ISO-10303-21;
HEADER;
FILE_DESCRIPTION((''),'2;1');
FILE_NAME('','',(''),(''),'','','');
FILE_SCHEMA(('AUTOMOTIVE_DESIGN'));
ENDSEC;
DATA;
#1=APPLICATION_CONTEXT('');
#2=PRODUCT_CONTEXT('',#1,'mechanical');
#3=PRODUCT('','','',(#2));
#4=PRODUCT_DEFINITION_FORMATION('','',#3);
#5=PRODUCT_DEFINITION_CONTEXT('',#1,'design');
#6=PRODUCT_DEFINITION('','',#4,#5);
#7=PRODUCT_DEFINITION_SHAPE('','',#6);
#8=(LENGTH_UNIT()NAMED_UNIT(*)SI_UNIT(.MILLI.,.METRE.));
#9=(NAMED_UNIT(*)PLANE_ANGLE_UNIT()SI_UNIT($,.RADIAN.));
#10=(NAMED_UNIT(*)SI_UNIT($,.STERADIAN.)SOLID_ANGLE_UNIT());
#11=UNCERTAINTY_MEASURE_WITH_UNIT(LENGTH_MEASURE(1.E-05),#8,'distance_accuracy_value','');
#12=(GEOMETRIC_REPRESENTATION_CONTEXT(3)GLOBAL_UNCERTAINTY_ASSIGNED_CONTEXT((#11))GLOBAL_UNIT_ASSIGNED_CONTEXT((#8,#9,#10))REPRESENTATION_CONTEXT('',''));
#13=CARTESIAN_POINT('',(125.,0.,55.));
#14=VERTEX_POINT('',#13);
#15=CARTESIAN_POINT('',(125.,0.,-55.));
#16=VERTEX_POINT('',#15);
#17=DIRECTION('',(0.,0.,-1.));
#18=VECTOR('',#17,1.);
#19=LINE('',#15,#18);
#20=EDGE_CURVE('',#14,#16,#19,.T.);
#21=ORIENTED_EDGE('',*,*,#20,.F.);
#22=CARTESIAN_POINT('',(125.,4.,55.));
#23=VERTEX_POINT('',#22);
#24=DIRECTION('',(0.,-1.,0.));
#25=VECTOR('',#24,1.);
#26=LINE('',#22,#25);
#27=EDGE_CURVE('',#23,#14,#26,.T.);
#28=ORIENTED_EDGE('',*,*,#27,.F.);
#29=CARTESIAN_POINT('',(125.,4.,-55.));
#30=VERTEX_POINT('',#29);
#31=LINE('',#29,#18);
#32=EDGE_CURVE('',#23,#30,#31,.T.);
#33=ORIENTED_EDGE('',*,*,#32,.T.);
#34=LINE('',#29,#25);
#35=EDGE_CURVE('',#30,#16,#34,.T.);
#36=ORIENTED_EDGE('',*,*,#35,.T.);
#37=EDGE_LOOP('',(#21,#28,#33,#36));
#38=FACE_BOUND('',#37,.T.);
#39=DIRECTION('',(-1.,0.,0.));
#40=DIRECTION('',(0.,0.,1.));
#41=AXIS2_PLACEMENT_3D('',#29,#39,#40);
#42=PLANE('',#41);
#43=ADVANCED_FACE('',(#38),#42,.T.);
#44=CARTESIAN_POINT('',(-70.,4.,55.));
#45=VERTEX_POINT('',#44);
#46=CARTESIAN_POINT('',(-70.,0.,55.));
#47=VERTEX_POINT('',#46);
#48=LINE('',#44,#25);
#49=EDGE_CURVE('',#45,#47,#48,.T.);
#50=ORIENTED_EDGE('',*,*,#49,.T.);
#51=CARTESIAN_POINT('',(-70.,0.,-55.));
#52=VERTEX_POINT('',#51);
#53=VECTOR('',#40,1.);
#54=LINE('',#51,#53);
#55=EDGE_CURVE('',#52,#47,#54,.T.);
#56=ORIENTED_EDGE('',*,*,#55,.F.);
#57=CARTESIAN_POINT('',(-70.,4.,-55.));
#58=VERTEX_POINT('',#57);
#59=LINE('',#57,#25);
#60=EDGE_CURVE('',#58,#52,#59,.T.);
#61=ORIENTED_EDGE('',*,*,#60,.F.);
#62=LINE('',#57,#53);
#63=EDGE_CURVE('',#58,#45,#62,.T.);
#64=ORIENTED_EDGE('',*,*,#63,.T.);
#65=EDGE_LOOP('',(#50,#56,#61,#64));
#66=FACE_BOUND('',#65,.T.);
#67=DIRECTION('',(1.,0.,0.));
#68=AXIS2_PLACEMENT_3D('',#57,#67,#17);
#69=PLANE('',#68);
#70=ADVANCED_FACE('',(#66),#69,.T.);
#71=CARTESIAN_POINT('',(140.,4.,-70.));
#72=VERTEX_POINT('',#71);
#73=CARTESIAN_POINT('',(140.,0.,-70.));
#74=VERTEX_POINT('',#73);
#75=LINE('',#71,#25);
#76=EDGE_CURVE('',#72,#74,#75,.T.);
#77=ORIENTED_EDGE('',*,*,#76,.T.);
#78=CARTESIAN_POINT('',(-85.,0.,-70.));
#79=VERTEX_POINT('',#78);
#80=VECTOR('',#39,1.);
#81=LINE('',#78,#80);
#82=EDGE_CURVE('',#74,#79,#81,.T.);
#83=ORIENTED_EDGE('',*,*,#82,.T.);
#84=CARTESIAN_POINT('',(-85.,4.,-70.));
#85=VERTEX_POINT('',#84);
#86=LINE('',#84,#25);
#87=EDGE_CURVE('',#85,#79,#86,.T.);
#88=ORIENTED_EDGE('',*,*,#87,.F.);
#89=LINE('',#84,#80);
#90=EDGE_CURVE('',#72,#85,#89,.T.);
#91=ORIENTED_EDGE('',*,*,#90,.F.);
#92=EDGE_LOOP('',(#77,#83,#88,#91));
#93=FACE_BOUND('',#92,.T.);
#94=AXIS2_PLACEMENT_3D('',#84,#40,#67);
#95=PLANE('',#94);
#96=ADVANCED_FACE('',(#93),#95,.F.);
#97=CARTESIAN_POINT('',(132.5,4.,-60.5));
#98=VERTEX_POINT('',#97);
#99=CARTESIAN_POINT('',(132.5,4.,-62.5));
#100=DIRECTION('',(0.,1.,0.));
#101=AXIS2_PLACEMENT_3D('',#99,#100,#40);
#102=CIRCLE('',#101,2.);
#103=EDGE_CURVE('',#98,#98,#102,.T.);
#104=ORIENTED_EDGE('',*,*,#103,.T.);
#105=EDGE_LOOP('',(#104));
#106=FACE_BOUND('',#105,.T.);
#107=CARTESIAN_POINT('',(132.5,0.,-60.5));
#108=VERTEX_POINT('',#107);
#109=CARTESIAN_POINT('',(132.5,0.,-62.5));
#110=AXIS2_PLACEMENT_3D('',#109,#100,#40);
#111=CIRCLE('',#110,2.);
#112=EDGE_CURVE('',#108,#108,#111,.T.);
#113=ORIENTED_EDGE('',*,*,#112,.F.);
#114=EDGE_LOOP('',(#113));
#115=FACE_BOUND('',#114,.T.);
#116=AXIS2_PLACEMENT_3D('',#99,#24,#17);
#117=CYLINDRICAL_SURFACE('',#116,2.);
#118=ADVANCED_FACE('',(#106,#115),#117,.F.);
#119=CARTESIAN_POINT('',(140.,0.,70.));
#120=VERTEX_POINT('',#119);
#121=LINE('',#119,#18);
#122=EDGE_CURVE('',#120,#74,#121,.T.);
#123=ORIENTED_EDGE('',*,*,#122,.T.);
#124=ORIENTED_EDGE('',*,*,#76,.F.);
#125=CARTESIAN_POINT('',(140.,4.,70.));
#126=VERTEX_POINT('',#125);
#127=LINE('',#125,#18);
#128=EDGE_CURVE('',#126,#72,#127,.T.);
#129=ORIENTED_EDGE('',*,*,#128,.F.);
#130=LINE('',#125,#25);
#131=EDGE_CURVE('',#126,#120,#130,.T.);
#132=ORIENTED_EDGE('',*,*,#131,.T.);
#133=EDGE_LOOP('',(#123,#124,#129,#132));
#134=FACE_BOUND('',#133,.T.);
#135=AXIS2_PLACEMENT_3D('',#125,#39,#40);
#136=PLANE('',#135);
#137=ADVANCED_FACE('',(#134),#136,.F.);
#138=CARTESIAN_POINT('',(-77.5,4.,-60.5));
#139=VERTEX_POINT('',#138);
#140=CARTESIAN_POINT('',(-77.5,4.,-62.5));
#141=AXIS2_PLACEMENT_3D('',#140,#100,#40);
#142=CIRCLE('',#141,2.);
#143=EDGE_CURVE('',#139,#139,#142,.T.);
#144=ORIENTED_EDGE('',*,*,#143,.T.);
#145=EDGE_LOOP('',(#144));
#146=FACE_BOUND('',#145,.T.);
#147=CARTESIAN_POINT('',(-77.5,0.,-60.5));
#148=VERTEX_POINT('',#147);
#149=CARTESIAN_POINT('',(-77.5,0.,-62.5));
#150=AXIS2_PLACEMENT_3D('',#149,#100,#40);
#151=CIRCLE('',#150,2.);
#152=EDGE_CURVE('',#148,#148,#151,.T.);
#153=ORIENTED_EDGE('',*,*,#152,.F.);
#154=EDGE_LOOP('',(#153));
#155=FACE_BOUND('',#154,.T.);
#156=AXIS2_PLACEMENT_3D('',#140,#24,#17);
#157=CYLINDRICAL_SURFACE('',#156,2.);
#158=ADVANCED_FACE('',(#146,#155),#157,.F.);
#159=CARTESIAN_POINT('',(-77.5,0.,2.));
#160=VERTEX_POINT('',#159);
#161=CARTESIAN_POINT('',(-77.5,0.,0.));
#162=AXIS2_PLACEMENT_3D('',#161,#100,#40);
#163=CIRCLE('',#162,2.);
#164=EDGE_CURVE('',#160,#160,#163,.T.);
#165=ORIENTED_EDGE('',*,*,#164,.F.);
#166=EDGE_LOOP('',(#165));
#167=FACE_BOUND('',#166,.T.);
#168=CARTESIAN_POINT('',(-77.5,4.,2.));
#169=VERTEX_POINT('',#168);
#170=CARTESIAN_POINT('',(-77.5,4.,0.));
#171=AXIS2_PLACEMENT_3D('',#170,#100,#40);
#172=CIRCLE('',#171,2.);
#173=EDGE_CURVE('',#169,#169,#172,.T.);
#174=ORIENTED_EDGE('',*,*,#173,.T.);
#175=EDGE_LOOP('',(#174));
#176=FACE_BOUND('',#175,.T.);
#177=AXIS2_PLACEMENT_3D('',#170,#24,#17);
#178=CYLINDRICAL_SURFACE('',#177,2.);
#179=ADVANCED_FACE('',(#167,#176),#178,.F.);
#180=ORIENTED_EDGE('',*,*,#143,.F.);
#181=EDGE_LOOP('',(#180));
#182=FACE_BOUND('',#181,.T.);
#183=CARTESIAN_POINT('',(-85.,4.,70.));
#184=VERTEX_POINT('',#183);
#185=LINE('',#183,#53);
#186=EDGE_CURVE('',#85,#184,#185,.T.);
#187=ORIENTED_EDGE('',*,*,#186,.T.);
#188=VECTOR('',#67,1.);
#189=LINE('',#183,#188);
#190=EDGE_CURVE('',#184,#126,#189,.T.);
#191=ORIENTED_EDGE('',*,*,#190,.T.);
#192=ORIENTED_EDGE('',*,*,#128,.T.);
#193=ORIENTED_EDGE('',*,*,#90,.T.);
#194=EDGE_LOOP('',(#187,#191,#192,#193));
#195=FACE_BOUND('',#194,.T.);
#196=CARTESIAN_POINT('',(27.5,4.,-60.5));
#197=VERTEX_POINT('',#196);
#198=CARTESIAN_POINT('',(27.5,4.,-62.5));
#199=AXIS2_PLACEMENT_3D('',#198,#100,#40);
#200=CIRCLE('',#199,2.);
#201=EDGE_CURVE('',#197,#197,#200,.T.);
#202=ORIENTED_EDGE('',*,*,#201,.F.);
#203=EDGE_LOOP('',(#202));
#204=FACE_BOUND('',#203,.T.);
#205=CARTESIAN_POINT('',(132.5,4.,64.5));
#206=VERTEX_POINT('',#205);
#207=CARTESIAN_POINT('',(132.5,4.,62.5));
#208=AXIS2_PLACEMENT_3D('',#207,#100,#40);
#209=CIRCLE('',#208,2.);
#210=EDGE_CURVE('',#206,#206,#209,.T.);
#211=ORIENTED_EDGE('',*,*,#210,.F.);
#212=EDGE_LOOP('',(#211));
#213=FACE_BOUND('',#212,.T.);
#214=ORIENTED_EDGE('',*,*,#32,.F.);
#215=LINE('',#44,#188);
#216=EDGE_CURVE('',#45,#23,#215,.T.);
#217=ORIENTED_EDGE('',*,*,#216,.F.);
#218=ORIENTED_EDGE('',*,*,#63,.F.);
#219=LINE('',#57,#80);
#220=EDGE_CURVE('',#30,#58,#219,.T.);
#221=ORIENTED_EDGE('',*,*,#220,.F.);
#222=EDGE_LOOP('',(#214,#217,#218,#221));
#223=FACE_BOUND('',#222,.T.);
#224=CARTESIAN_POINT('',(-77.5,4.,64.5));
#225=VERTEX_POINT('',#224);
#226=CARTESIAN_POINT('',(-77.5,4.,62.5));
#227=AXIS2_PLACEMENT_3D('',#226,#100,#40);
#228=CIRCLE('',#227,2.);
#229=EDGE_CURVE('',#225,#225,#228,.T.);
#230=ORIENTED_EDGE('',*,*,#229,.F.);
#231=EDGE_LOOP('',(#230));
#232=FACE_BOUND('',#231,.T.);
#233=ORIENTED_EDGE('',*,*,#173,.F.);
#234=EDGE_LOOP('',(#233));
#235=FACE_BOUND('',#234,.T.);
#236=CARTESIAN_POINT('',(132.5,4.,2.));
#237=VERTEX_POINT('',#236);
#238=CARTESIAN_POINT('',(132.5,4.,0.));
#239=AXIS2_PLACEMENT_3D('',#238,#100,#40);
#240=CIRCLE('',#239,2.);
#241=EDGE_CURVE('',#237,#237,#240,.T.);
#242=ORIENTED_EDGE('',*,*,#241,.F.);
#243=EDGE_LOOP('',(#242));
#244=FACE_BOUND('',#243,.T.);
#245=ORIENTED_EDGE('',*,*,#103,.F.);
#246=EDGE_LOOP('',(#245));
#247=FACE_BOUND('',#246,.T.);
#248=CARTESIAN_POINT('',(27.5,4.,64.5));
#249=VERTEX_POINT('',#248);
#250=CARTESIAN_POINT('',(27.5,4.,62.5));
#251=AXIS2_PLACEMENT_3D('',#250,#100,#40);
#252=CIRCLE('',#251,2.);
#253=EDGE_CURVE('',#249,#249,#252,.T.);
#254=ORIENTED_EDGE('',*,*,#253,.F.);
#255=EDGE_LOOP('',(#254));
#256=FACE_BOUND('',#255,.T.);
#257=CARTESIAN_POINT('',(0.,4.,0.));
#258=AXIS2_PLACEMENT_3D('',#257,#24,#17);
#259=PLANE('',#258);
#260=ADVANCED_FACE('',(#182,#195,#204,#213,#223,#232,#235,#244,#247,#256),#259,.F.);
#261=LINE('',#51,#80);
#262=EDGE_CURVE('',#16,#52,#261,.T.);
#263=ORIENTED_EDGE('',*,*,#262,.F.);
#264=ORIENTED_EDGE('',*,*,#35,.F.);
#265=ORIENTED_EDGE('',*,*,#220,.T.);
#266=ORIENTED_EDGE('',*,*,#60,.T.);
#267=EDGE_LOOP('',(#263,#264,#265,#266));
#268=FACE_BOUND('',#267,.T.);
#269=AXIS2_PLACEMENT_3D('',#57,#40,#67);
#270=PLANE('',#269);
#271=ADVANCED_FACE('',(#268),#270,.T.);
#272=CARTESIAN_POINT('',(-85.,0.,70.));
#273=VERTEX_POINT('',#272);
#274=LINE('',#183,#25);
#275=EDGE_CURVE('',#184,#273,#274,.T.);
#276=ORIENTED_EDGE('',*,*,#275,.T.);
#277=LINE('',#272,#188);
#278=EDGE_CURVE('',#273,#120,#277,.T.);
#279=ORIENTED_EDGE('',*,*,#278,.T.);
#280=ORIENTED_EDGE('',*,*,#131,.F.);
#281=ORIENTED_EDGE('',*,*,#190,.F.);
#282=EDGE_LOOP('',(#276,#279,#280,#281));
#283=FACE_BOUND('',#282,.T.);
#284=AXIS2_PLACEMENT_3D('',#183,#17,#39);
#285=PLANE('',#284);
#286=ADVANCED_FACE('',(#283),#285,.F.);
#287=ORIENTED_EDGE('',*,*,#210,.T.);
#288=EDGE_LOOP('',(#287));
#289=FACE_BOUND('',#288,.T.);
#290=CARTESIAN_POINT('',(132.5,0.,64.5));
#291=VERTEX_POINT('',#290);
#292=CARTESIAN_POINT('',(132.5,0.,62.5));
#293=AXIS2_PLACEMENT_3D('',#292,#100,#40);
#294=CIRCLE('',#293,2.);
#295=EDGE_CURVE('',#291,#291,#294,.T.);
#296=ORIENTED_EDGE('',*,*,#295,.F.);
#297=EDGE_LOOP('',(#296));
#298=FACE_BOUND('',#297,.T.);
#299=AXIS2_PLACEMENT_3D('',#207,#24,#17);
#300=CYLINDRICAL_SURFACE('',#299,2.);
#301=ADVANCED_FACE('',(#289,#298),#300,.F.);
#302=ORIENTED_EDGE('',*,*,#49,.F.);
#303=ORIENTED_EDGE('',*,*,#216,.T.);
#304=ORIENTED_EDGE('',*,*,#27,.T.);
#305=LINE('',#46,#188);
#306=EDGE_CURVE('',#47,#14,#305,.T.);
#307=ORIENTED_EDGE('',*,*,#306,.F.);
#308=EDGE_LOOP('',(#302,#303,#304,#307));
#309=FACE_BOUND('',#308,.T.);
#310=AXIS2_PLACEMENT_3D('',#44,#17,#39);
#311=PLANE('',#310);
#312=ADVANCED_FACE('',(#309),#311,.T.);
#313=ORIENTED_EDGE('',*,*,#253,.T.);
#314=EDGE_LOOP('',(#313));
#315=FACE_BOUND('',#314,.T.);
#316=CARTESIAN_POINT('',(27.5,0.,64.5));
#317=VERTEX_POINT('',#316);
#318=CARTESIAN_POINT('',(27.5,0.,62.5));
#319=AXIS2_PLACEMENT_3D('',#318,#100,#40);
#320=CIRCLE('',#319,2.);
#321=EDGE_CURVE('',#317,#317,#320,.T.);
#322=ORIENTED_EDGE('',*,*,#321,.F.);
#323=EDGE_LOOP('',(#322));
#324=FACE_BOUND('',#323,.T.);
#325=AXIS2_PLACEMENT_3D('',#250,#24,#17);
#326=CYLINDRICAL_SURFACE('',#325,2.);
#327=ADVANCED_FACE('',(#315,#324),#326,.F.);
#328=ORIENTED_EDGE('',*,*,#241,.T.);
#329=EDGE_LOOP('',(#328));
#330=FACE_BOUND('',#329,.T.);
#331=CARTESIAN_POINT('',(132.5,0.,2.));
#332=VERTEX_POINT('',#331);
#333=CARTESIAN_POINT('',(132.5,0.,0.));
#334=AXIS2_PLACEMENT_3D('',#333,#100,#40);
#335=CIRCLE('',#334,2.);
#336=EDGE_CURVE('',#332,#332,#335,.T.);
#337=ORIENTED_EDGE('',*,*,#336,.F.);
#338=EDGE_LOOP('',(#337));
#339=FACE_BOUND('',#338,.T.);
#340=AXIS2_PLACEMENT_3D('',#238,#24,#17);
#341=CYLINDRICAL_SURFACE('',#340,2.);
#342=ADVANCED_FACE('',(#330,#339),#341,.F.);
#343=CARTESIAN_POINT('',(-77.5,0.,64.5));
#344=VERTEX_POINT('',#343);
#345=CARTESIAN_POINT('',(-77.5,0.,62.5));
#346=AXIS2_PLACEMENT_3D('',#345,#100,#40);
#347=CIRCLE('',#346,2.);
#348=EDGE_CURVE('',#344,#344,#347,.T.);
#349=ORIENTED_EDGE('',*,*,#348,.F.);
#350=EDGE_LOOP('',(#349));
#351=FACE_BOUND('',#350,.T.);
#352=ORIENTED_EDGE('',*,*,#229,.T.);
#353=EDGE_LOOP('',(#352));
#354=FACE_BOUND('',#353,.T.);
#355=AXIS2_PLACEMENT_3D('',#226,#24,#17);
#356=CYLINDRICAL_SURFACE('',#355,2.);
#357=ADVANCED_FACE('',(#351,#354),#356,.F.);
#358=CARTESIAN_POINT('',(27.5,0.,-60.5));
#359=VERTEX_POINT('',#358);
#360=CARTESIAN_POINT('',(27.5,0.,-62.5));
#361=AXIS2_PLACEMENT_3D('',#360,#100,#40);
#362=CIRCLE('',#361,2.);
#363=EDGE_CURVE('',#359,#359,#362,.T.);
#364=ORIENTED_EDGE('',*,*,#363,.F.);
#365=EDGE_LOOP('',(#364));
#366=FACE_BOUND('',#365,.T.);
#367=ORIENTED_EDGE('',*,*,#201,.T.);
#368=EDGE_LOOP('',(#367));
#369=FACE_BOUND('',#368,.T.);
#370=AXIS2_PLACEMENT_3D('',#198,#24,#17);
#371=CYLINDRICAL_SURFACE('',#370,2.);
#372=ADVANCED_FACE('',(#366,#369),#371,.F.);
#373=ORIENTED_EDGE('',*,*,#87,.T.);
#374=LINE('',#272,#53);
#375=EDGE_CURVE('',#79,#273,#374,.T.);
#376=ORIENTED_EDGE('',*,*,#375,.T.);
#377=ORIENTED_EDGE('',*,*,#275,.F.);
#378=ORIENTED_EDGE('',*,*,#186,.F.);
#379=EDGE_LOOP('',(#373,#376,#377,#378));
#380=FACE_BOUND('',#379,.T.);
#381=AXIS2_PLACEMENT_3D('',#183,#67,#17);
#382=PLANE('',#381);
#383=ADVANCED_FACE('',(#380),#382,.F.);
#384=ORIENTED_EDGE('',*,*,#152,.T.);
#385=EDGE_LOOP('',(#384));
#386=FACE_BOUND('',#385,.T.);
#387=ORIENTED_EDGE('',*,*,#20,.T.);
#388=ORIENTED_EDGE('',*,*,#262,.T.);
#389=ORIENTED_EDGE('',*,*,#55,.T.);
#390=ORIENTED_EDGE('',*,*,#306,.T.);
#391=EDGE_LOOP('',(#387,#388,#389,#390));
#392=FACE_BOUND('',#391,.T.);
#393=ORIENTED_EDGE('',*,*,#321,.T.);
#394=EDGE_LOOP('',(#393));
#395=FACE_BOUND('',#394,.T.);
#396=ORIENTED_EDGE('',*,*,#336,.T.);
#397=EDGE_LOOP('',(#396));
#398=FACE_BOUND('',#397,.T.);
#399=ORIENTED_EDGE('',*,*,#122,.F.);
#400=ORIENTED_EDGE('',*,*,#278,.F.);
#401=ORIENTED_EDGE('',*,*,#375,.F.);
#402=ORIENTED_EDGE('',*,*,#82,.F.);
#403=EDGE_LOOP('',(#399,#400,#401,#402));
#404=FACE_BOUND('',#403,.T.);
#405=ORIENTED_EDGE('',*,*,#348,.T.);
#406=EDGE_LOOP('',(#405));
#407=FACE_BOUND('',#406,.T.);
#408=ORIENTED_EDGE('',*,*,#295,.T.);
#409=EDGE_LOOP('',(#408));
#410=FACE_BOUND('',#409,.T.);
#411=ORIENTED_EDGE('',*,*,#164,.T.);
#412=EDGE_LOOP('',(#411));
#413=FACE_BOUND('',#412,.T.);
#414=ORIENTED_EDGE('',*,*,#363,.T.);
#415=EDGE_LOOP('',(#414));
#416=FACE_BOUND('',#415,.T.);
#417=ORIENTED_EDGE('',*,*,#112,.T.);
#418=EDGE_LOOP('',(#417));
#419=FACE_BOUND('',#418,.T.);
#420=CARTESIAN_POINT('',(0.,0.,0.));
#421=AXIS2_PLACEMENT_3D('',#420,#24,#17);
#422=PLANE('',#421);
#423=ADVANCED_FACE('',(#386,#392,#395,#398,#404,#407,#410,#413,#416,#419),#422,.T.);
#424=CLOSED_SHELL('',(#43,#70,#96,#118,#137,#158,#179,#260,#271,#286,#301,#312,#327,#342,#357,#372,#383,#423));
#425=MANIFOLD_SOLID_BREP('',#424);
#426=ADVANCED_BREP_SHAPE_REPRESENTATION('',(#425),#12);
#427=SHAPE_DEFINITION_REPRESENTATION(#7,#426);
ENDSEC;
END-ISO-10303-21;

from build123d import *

# Parameters (mm, degrees)
SKETCH1_W           = 225
SKETCH1_H           = 140
SKETCH1_R           = 2
SKETCH1_W_2         = 195
SKETCH1_H_2         = 110
BOSS_EXTRUDE1_DEPTH = 4


with BuildPart() as part:
    # Sketch1 → Boss-Extrude1 (new body)
    with BuildSketch(Plane(origin=(0, 0, 0), x_dir=(1, 0, 0), z_dir=(0, 1, 0))):
        with Locations((27.5, 0)):
            Rectangle(SKETCH1_W, SKETCH1_H)
        with Locations((-77.5, -62.5)):
            Circle(SKETCH1_R, mode=Mode.SUBTRACT)
        with Locations((-77.5, 62.5)):
            Circle(SKETCH1_R, mode=Mode.SUBTRACT)
        with Locations((132.5, 62.5)):
            Circle(SKETCH1_R, mode=Mode.SUBTRACT)
        with Locations((132.5, -62.5)):
            Circle(SKETCH1_R, mode=Mode.SUBTRACT)
        with Locations((27.5, -62.5)):
            Circle(SKETCH1_R, mode=Mode.SUBTRACT)
        with Locations((27.5, 62.5)):
            Circle(SKETCH1_R, mode=Mode.SUBTRACT)
        with Locations((-77.5, 0)):
            Circle(SKETCH1_R, mode=Mode.SUBTRACT)
        with Locations((132.5, 0)):
            Circle(SKETCH1_R, mode=Mode.SUBTRACT)
        with Locations((27.5, 0)):
            Rectangle(SKETCH1_W_2, SKETCH1_H_2, mode=Mode.SUBTRACT)
    extrude(amount=BOSS_EXTRUDE1_DEPTH)


solid = part.part
